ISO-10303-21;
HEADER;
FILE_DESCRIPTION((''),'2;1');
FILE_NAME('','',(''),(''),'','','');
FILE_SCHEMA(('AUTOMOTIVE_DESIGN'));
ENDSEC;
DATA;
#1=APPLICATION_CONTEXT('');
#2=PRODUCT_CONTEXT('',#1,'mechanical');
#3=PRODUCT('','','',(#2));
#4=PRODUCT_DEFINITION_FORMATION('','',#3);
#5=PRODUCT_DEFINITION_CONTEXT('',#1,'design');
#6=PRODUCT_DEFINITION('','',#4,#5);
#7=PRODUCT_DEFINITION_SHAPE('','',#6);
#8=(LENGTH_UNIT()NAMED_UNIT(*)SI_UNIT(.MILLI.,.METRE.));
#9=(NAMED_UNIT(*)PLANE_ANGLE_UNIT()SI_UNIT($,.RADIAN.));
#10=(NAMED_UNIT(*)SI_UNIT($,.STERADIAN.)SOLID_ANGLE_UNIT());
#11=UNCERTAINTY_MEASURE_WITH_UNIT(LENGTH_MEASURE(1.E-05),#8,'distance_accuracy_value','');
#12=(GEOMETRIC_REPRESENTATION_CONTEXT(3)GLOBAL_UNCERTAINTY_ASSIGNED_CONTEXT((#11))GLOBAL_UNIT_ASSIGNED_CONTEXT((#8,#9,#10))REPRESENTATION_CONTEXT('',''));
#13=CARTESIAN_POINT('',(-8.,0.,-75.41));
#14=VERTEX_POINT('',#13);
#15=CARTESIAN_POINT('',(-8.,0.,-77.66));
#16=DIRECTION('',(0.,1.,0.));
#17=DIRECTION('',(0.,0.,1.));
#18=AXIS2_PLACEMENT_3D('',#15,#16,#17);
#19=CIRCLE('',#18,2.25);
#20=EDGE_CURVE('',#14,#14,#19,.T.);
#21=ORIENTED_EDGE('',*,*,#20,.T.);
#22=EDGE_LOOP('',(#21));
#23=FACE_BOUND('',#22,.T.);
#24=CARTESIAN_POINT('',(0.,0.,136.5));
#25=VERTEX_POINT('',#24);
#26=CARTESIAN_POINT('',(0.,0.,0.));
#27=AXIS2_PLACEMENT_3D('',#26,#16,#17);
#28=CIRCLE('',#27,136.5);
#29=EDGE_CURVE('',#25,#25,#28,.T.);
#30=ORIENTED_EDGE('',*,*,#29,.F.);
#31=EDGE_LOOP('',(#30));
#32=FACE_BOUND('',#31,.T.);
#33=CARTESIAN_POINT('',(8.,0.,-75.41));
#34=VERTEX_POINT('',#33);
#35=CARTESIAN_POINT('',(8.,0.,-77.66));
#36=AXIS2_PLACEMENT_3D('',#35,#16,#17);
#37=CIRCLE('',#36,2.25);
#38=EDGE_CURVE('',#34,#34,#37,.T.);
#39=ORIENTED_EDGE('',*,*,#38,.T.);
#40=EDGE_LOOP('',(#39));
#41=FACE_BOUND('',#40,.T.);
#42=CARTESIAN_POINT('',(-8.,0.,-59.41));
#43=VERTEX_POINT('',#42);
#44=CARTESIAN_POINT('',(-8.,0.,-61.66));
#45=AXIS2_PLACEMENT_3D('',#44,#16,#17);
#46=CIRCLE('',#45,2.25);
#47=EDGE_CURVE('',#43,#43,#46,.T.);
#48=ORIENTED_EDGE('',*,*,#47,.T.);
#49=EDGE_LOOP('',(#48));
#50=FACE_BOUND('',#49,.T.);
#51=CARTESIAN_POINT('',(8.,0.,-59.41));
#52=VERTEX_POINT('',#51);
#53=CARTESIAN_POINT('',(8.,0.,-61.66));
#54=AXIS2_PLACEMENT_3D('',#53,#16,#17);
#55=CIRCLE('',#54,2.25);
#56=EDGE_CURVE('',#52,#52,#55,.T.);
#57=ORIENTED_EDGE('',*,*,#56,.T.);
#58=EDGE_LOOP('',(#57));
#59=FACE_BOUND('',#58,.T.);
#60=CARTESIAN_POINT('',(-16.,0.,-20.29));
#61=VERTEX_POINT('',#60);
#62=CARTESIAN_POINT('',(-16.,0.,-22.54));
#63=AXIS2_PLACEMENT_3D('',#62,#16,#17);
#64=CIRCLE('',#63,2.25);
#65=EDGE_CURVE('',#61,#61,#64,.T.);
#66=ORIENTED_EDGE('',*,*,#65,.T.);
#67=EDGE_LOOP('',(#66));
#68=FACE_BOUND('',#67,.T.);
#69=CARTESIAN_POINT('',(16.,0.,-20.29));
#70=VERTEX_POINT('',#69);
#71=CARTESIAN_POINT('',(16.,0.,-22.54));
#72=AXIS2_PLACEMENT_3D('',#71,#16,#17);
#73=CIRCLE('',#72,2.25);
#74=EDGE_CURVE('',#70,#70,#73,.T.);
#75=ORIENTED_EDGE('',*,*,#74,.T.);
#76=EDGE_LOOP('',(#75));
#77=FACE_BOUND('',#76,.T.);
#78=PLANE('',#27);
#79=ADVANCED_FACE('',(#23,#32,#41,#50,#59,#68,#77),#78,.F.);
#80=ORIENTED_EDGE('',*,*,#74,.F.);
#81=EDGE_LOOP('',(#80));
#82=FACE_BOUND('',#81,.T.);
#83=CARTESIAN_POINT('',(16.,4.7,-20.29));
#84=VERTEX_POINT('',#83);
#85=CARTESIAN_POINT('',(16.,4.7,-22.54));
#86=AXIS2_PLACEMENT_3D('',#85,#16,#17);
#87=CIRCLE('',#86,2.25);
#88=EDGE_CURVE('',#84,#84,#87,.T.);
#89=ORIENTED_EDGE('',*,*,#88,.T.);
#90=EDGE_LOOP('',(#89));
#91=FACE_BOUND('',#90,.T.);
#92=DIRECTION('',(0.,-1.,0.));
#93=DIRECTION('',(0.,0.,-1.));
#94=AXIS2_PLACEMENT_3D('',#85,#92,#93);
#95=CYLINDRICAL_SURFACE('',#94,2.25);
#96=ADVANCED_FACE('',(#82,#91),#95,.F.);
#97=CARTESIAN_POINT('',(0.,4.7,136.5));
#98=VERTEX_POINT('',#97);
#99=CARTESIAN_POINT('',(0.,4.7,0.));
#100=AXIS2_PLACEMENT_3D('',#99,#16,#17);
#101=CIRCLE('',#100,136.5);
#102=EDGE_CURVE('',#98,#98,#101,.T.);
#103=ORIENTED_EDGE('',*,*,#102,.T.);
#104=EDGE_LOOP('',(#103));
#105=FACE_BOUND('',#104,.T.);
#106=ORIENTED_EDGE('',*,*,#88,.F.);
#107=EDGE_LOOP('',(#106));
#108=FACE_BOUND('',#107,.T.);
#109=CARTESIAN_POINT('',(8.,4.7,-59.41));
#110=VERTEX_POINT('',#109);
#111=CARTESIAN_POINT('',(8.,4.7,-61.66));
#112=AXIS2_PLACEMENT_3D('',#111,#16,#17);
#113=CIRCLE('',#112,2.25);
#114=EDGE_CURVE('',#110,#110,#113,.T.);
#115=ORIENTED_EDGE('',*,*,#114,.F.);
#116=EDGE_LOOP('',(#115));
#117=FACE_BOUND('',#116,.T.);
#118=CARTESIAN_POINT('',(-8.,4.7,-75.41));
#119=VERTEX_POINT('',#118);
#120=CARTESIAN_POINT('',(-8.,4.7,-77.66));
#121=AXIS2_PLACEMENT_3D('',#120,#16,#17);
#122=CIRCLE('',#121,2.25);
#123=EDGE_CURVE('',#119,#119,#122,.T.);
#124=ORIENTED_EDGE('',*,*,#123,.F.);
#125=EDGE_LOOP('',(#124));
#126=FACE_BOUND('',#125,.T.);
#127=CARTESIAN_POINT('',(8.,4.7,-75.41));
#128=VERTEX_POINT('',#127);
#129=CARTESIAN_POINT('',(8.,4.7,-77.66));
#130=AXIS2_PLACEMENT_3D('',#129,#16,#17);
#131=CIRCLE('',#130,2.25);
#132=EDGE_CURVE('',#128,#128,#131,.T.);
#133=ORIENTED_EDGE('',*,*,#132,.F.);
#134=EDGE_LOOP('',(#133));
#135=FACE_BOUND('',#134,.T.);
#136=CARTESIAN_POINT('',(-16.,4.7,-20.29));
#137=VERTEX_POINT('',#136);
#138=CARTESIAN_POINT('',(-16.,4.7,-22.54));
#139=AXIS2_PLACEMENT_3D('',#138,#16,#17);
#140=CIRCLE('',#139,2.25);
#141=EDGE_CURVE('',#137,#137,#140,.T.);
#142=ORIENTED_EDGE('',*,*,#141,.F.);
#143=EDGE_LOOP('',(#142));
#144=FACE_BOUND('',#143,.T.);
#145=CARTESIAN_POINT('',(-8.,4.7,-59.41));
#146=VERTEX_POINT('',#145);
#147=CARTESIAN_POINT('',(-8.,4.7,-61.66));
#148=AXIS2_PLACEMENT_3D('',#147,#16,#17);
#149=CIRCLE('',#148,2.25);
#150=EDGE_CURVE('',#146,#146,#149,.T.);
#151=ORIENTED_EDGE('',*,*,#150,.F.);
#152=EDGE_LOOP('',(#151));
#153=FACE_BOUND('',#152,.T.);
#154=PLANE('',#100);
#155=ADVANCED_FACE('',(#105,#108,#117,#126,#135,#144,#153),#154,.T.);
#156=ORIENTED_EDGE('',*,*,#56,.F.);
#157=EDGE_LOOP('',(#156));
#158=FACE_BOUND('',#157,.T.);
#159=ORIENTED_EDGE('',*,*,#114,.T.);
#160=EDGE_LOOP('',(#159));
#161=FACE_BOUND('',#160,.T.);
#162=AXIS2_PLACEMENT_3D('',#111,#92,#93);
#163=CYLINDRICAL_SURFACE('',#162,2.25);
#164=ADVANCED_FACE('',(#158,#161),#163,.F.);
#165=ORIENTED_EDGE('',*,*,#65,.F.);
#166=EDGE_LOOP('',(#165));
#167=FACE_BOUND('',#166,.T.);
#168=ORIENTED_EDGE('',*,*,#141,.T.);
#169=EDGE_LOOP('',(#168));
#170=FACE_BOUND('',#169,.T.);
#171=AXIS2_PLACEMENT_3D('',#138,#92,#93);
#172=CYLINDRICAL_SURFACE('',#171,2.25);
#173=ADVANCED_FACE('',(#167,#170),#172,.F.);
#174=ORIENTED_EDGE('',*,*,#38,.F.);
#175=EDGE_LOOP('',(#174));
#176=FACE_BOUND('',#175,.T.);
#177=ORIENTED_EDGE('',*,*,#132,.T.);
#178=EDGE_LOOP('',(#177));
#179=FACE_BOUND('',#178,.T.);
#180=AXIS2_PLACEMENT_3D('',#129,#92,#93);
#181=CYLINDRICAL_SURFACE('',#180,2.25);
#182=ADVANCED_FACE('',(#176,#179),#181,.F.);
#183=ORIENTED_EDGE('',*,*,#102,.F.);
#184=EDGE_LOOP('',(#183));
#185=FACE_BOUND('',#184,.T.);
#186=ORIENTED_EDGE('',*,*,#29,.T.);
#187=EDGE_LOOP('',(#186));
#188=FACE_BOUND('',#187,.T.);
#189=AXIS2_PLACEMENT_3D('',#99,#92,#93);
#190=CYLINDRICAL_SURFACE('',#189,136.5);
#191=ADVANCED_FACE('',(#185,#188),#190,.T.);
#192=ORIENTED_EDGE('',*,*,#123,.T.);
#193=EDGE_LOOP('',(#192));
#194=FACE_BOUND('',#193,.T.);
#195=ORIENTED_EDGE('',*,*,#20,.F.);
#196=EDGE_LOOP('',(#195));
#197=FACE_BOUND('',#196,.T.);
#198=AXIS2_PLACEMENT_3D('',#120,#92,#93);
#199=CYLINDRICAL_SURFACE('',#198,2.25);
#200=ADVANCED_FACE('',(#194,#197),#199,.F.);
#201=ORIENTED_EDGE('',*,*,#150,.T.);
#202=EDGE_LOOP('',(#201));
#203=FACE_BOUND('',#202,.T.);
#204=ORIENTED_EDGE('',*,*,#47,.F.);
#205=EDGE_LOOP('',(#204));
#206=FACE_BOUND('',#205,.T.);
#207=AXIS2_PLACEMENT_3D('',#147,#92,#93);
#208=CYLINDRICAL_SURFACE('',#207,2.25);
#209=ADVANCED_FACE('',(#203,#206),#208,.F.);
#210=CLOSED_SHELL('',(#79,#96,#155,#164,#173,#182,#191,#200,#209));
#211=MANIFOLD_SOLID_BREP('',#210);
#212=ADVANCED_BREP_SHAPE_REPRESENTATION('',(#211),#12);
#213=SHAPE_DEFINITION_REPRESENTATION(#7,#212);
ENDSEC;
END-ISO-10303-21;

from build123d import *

# Parameters (mm, degrees)
SKETCH1_R           = 136.5
SKETCH1_R_2         = 2.25
BOSS_EXTRUDE1_DEPTH = 4.7


with BuildPart() as part:
    # Sketch1 → Boss-Extrude1 (new body)
    with BuildSketch(Plane(origin=(0, 0, 0), x_dir=(1, 0, 0), z_dir=(0, 1, 0))):
        Circle(SKETCH1_R)
        with Locations((-8, 77.66)):
            Circle(SKETCH1_R_2, mode=Mode.SUBTRACT)
        with Locations((8, 77.66)):
            Circle(SKETCH1_R_2, mode=Mode.SUBTRACT)
        with Locations((8, 61.66)):
            Circle(SKETCH1_R_2, mode=Mode.SUBTRACT)
        with Locations((-8, 61.66)):
            Circle(SKETCH1_R_2, mode=Mode.SUBTRACT)
        with Locations((-16, 22.54)):
            Circle(SKETCH1_R_2, mode=Mode.SUBTRACT)
        with Locations((16, 22.54)):
            Circle(SKETCH1_R_2, mode=Mode.SUBTRACT)
    extrude(amount=BOSS_EXTRUDE1_DEPTH)


solid = part.part
